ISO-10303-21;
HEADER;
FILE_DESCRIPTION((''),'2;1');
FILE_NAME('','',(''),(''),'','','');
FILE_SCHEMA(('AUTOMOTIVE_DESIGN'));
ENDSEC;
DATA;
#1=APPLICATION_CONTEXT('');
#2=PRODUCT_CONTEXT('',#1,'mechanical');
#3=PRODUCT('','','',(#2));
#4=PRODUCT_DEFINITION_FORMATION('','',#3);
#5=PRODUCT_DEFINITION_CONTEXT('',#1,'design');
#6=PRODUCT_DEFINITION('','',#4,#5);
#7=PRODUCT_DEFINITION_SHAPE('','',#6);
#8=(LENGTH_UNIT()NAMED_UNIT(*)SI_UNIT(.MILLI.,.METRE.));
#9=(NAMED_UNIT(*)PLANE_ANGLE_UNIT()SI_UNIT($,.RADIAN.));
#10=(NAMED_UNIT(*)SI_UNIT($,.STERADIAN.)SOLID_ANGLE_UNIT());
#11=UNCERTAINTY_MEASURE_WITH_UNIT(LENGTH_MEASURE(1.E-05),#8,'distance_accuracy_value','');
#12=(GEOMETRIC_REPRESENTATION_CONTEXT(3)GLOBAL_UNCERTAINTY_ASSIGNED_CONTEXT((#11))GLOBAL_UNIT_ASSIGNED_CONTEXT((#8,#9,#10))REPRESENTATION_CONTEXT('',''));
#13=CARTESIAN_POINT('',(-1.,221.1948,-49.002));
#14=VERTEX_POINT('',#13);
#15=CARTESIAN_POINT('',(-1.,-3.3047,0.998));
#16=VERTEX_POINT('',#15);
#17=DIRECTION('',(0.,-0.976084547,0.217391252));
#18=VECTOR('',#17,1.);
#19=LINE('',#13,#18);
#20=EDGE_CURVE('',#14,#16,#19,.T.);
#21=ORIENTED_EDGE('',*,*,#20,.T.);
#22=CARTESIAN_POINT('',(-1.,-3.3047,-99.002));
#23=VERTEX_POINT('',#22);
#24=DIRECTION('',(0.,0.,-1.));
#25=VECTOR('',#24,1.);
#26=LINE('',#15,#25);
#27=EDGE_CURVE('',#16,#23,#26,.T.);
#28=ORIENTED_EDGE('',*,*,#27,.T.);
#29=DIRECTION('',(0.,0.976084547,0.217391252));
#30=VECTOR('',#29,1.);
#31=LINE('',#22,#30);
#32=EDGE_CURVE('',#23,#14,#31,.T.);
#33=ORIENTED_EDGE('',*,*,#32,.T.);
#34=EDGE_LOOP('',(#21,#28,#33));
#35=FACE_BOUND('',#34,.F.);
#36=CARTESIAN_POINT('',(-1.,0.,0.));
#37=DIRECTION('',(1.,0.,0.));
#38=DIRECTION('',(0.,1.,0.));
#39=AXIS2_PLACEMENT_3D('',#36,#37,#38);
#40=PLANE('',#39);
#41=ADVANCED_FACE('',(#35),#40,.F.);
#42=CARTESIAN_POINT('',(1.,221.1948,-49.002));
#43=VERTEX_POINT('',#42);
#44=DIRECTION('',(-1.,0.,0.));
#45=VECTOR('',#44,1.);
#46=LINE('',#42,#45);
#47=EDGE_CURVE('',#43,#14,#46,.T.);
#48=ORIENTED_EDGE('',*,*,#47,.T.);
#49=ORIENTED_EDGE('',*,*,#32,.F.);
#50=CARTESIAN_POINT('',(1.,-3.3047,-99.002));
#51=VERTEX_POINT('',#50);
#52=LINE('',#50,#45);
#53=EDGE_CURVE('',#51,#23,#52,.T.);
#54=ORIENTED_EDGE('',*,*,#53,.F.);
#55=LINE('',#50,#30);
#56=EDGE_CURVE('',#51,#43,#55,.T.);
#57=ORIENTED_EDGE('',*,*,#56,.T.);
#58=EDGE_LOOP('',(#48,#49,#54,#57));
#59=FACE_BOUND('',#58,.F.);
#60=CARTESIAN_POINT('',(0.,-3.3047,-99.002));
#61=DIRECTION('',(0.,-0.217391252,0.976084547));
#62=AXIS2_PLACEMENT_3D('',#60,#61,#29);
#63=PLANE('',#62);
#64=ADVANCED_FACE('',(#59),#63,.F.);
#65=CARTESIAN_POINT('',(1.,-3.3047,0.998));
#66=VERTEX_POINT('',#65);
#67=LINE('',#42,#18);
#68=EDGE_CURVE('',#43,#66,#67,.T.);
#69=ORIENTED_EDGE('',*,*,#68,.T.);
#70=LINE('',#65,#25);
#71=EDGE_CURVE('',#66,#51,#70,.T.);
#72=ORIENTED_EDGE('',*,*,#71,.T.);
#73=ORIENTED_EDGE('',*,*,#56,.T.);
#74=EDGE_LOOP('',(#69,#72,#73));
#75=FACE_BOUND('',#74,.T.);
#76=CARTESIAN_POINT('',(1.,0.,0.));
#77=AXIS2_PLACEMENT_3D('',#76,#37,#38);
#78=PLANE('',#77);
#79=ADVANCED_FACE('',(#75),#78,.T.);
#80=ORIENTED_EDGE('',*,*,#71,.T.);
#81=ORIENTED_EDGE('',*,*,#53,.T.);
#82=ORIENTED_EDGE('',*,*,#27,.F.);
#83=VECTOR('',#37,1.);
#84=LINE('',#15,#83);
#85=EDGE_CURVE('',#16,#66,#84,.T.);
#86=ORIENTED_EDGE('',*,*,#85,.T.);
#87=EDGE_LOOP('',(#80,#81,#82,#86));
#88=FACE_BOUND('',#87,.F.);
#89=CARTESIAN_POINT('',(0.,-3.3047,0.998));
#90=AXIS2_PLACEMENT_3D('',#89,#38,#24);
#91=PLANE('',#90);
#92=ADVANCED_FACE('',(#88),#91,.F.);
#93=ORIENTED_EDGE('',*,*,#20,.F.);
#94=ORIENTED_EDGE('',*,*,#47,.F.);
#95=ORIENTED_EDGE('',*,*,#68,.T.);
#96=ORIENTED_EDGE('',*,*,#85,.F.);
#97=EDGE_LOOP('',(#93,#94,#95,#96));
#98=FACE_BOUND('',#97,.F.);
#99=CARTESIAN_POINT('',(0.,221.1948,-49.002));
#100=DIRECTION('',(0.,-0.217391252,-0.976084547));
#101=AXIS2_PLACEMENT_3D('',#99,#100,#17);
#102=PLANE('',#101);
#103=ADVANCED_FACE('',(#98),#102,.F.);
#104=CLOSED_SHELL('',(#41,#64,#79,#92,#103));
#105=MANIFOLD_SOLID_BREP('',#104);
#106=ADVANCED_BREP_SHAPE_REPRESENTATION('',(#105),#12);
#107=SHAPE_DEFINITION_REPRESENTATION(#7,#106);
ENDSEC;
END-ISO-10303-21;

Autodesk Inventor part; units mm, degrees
ref_plane "YZ Plane" through (0, 0, 0) normal (1, 0, 0) x (0, 1, 0)
ref_plane "XZ Plane" through (0, 0, 0) normal (0, 1, 0) x (-1, 0, 0)
ref_plane "XY Plane" through (0, 0, 0) normal (0, 0, 1) x (1, 0, 0)
sketch "Boceto1" plane through (0, 0, 0) normal (1, 0, 0) x (0, 1, 0)
  line L0 (-3.3047, 0.998) -> (-3.3047, -99.002)
  line L1 (-3.3047, -99.002) -> (221.1948, -49.002)
  line L2 (221.1948, -49.002) -> (-3.3047, 0.998)
  point P0 (0, 0)
  dimension "d0" = 100
  dimension "d1" = 230
extrude "Extrusión1" add sketch "Boceto1" along normal mid plane 2
